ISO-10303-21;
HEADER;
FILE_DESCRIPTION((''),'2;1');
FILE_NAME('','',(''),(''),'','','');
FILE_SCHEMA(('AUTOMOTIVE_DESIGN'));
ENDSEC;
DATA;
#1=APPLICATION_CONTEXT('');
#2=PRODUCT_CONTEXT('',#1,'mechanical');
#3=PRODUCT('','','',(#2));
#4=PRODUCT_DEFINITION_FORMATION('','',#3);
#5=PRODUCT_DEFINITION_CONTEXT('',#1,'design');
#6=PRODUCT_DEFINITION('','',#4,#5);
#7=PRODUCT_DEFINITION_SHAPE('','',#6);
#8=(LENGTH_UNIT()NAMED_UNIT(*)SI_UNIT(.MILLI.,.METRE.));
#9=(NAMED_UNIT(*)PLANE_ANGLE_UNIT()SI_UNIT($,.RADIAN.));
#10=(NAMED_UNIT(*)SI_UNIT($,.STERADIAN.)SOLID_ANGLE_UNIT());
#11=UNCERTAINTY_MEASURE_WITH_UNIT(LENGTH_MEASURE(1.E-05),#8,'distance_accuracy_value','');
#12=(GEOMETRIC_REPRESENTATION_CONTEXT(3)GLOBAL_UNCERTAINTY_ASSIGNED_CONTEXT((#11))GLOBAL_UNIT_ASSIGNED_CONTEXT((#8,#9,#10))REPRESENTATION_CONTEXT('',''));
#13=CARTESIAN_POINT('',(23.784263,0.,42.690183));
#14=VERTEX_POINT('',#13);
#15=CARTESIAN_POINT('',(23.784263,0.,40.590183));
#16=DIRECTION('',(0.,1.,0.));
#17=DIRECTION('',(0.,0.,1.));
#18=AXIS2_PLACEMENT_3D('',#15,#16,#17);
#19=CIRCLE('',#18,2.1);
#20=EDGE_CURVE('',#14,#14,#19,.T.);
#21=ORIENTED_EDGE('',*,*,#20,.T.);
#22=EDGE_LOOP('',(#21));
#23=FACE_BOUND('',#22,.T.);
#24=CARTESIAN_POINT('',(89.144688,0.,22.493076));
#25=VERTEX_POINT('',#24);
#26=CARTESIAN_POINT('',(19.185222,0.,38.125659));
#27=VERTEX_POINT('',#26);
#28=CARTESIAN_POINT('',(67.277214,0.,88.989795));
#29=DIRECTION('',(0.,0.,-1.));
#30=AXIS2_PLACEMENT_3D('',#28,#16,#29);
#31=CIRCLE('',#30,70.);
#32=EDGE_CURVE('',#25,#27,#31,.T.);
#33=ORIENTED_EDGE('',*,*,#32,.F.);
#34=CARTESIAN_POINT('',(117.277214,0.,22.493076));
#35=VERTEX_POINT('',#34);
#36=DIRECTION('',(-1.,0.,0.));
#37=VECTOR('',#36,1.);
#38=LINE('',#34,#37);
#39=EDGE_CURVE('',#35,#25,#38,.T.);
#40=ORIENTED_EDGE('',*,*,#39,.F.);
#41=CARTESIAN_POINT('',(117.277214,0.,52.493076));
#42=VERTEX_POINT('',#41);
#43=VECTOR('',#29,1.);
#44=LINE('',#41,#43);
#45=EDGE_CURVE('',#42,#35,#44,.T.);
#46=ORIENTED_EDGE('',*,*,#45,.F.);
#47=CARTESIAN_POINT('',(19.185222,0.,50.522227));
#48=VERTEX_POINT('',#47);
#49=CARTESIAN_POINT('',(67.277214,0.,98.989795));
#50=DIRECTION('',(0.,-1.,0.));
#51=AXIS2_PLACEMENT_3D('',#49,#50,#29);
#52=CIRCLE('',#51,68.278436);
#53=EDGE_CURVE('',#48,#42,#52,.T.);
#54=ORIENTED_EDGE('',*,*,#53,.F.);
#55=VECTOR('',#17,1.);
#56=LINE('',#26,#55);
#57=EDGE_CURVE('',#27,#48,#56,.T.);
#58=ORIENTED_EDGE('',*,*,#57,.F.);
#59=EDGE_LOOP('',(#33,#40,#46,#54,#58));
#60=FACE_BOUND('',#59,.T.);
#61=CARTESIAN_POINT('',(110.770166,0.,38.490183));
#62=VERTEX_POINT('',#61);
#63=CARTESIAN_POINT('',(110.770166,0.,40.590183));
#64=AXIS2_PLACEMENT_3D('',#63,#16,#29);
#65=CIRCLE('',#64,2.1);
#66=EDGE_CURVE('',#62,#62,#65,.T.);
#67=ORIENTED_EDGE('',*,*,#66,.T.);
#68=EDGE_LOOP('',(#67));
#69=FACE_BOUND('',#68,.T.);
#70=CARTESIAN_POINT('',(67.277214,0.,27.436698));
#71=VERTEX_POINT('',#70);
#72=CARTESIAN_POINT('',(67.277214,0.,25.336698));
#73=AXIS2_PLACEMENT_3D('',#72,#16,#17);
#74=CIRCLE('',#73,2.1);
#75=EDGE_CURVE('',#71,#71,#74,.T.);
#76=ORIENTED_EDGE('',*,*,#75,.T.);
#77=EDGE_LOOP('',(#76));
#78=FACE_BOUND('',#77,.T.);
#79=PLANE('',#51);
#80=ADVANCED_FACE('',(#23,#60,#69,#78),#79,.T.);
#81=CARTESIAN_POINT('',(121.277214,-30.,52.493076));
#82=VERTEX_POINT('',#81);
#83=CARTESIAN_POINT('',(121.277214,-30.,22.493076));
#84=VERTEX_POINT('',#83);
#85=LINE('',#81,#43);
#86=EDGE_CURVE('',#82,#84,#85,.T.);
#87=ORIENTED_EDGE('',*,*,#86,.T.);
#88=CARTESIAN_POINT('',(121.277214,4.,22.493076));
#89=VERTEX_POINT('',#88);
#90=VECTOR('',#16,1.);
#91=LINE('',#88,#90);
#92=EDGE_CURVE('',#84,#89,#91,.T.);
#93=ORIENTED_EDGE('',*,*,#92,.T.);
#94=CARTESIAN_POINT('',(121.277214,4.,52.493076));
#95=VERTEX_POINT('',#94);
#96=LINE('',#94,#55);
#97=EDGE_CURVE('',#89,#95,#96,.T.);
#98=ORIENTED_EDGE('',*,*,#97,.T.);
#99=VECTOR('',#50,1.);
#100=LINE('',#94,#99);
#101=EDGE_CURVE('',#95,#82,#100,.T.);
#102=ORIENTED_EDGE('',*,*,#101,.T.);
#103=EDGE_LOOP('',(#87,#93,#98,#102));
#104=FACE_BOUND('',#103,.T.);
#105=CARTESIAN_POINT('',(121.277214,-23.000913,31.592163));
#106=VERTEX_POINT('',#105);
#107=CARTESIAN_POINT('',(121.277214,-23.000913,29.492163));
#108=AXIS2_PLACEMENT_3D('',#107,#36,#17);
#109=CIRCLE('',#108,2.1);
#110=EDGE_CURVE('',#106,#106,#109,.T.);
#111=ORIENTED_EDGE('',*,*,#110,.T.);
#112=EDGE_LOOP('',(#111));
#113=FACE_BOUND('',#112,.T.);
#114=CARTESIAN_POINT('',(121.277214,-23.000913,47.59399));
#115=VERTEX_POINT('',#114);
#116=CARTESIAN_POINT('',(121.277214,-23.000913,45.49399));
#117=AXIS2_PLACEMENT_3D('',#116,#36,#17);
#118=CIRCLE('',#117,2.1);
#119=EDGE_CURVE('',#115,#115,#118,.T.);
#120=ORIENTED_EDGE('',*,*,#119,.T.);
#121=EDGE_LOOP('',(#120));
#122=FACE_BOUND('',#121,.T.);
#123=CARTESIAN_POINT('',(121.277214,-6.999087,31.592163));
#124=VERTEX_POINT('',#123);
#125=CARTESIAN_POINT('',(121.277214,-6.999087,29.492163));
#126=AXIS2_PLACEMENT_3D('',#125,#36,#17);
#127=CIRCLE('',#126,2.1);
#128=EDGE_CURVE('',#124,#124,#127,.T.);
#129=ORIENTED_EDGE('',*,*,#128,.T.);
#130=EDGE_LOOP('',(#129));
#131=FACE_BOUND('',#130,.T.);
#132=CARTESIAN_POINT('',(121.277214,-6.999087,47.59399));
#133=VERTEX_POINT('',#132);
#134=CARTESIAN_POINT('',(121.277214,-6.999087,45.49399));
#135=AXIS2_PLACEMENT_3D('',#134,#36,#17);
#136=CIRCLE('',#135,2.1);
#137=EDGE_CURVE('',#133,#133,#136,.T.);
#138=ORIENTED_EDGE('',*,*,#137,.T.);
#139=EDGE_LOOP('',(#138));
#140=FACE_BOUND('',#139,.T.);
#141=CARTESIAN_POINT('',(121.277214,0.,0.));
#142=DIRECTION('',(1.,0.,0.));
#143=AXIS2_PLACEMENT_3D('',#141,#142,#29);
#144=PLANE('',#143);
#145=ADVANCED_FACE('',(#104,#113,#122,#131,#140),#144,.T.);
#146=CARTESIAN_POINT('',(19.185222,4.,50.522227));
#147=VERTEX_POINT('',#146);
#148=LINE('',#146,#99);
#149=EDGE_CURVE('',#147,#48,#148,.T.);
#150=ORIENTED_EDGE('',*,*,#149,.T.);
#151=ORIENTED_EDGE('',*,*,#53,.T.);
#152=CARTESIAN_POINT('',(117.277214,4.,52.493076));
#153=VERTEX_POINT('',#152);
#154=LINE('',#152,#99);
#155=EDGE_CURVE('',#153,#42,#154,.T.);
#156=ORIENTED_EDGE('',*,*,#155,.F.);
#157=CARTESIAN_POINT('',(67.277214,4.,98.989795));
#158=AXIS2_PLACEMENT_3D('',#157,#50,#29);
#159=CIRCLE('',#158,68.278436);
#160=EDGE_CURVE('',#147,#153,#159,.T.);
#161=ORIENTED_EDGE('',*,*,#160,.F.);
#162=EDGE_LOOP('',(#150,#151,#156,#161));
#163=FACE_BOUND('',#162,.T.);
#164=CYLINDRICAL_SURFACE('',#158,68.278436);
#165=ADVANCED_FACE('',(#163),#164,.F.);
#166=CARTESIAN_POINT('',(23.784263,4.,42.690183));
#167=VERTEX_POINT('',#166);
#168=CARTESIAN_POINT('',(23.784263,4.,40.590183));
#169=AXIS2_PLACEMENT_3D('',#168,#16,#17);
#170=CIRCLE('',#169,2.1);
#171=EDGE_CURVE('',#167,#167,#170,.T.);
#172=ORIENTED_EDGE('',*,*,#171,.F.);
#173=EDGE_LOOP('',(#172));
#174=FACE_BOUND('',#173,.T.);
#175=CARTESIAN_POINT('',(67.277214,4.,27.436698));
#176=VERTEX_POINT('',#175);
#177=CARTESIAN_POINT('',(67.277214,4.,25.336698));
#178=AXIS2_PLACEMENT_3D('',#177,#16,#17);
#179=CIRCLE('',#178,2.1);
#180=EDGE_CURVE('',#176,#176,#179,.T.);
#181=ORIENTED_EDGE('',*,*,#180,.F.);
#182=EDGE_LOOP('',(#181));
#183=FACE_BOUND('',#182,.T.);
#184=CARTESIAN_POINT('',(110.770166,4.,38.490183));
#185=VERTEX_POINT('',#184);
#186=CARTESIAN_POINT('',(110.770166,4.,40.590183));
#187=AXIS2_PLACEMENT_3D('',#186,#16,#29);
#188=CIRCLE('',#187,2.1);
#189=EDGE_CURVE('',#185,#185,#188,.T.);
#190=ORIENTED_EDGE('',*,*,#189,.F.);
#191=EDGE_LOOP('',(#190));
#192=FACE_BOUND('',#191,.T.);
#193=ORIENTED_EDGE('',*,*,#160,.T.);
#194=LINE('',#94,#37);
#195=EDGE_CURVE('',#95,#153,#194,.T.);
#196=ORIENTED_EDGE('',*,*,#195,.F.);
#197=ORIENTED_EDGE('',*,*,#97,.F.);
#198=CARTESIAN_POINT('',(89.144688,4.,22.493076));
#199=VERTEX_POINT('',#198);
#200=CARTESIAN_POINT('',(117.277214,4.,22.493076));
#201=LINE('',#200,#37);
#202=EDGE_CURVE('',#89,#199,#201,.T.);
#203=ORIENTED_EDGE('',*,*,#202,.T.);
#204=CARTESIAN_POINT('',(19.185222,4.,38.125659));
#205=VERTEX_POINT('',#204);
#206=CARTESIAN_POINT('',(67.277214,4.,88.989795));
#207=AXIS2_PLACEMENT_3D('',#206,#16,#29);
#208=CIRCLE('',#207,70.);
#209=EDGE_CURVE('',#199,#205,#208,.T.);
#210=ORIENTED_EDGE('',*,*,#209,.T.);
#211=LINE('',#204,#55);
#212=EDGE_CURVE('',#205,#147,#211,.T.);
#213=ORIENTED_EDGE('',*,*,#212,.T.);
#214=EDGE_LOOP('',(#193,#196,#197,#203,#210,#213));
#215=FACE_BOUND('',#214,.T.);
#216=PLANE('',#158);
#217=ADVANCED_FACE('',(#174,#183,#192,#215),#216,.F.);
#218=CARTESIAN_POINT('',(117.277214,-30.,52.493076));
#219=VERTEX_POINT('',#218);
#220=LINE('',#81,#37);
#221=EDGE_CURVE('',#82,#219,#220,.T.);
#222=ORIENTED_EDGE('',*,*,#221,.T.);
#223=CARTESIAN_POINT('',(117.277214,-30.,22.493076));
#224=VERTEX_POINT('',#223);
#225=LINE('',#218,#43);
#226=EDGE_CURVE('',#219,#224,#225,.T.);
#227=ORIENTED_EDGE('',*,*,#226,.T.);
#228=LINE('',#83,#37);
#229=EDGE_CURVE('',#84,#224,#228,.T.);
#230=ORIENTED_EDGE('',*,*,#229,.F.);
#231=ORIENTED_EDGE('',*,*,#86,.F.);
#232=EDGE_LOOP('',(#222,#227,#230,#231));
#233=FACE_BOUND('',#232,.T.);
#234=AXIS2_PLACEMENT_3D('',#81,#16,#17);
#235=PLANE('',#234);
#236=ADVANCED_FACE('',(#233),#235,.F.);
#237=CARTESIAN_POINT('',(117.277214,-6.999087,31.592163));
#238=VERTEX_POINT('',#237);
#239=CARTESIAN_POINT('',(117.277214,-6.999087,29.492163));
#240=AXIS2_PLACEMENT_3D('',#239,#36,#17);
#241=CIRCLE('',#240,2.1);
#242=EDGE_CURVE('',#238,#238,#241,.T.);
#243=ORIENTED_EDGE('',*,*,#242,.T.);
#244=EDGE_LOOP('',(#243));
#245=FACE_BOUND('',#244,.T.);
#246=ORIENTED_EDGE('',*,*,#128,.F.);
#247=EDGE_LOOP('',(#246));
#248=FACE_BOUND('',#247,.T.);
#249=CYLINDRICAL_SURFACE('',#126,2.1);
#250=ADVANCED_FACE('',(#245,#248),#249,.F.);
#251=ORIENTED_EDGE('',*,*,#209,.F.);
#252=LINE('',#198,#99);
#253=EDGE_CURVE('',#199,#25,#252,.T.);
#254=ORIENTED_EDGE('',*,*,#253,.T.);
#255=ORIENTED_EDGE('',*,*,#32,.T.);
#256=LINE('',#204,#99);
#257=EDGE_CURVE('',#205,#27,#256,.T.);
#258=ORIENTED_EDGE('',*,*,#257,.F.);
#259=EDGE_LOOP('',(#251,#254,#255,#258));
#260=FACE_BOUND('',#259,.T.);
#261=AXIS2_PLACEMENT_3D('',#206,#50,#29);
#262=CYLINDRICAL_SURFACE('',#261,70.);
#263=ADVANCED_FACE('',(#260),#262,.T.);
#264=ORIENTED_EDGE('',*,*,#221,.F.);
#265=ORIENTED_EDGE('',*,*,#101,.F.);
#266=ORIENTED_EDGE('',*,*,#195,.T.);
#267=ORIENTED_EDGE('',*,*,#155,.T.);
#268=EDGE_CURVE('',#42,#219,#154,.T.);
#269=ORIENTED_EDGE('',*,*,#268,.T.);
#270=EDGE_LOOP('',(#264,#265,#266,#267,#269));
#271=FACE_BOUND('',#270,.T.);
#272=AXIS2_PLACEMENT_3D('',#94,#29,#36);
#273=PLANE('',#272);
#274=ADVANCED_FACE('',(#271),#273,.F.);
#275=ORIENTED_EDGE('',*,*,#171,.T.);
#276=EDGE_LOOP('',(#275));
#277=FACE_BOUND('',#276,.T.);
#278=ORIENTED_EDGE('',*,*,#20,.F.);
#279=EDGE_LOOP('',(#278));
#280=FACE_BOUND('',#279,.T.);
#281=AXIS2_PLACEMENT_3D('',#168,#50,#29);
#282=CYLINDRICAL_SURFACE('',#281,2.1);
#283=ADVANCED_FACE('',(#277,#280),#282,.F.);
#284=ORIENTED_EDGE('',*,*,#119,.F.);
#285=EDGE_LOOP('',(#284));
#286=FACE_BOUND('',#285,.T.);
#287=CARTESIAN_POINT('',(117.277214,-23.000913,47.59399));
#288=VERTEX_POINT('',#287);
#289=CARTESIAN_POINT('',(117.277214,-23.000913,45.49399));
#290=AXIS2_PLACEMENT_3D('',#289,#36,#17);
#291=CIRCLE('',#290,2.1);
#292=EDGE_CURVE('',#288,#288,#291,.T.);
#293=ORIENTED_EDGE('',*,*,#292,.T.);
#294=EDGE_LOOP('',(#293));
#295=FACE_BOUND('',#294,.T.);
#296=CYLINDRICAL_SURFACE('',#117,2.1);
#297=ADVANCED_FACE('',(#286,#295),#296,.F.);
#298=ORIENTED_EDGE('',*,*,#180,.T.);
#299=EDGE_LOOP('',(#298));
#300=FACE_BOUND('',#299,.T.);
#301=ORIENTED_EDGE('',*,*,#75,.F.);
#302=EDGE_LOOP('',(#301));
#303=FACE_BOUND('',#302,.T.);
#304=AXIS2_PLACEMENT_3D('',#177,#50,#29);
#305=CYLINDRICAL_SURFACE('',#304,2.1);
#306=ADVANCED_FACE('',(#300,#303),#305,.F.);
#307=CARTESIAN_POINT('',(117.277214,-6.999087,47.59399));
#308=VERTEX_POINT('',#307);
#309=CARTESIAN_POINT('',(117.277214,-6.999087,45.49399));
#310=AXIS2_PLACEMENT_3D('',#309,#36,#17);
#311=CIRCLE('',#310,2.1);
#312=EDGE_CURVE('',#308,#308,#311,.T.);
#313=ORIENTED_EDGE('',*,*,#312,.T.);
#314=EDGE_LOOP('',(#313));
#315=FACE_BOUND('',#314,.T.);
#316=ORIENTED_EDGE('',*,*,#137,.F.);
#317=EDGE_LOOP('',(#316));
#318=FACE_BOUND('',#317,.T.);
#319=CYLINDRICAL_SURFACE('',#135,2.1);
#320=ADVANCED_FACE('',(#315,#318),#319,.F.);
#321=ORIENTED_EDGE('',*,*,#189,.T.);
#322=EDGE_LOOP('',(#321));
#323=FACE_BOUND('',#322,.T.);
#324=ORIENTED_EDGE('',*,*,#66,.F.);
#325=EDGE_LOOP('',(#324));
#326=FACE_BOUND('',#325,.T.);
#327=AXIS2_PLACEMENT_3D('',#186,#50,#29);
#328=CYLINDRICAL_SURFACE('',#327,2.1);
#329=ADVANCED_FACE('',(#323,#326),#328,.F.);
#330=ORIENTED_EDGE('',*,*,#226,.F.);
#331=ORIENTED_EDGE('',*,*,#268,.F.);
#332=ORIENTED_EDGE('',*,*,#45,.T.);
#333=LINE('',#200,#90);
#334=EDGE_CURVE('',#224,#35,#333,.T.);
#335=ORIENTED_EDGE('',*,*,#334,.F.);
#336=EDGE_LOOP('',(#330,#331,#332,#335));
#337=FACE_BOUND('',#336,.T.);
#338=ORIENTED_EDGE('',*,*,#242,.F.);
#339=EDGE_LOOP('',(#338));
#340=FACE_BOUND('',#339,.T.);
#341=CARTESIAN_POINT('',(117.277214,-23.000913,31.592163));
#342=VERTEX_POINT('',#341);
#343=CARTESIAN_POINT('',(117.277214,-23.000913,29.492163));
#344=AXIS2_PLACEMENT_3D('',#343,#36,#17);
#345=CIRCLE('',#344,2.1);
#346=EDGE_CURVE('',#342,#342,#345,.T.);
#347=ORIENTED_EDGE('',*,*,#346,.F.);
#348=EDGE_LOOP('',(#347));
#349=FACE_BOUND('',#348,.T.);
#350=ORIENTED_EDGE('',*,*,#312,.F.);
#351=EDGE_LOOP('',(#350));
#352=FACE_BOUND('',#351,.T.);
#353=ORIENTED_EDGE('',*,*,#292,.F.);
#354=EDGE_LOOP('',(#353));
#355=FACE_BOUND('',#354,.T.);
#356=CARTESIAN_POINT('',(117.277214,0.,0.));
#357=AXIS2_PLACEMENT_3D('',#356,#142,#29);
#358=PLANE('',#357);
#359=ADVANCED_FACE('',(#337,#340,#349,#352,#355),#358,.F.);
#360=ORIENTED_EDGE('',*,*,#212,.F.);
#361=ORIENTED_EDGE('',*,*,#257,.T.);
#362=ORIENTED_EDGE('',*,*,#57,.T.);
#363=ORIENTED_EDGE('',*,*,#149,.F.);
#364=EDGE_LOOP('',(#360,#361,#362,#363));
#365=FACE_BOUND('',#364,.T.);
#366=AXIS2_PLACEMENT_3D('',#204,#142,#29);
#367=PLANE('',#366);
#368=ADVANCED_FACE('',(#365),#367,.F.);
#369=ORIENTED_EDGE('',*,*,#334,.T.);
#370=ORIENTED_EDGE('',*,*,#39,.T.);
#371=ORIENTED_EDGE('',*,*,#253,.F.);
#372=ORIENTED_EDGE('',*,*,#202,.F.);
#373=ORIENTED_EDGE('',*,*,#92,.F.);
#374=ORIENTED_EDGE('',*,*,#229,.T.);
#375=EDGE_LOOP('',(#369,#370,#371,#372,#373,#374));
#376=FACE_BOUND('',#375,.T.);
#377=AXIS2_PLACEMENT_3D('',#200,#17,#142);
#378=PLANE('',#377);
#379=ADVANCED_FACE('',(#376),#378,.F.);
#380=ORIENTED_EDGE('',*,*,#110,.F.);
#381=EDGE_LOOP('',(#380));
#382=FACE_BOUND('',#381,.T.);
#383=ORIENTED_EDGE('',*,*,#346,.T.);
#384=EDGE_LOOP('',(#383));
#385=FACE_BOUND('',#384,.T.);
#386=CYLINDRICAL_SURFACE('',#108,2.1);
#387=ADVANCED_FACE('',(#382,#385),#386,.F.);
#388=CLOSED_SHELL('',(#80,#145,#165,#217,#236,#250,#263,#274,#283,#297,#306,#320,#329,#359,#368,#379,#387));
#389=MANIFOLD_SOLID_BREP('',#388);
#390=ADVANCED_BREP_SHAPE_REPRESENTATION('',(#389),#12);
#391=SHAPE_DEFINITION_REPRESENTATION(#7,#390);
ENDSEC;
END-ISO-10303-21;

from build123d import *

# Parameters (mm, degrees)
SKETCH1_R           = 2.1
BOSS_EXTRUDE1_DEPTH = 4
SKETCH3_W           = 30
SKETCH3_H           = 34
BOSS_EXTRUDE4_DEPTH = 4
SKETCH4_R           = 2.1
CUT_EXTRUDE1_DEPTH  = 4


with BuildPart() as part:
    # Sketch1 → Boss-Extrude1 (new body)
    with BuildSketch(Plane(origin=(0, 0, 0), x_dir=(1, 0, 0), z_dir=(0, 1, 0))):
        with BuildLine():
            Line((19.185222031, -38.125659411), (19.185222031, -50.522227261))
            ThreePointArc((19.185222031, -50.522227261), (68.648777269, -30.725135996), (117.277214352, -52.493076326))
            Line((117.277214352, -52.493076326), (117.277214352, -22.493076326))
            Line((117.277214352, -22.493076326), (89.144688482, -22.493076326))
            ThreePointArc((89.144688482, -22.493076326), (52.012033316, -20.674538522), (19.185222031, -38.125659411))
        make_face()
        with Locations(Location((67.277214352, -25.33669757, 0), (0, 0, 270))):
            Circle(SKETCH1_R, mode=Mode.SUBTRACT)
        with Locations(Location((23.784262782, -40.590182935, 0), (0, 0, 270))):
            Circle(SKETCH1_R, mode=Mode.SUBTRACT)
        with Locations(Location((110.770165922, -40.590182935, 0), (0, 0, 90))):
            Circle(SKETCH1_R, mode=Mode.SUBTRACT)
    extrude(amount=BOSS_EXTRUDE1_DEPTH)

    # Sketch3 → Boss-Extrude4 (add)
    with BuildSketch(Plane(origin=(117.277214352, 0, 0), x_dir=(0, 0, -1), z_dir=(1, 0, 0))):
        with Locations((-37.493076326, -13)):
            Rectangle(SKETCH3_W, SKETCH3_H)
    extrude(amount=BOSS_EXTRUDE4_DEPTH)

    # Sketch4 → Cut-Extrude1 (cut)
    with BuildSketch(Plane.ZY.offset(-117.277214352)):
        with Locations((29.492163097, -6.999086771)):
            Circle(SKETCH4_R)
        with Locations((45.493989555, -6.999086771)):
            Circle(SKETCH4_R)
        with Locations((45.493989555, -23.000913229)):
            Circle(SKETCH4_R)
        with Locations((29.492163097, -23.000913229)):
            Circle(SKETCH4_R)
    extrude(amount=-CUT_EXTRUDE1_DEPTH, mode=Mode.SUBTRACT)


solid = part.part
